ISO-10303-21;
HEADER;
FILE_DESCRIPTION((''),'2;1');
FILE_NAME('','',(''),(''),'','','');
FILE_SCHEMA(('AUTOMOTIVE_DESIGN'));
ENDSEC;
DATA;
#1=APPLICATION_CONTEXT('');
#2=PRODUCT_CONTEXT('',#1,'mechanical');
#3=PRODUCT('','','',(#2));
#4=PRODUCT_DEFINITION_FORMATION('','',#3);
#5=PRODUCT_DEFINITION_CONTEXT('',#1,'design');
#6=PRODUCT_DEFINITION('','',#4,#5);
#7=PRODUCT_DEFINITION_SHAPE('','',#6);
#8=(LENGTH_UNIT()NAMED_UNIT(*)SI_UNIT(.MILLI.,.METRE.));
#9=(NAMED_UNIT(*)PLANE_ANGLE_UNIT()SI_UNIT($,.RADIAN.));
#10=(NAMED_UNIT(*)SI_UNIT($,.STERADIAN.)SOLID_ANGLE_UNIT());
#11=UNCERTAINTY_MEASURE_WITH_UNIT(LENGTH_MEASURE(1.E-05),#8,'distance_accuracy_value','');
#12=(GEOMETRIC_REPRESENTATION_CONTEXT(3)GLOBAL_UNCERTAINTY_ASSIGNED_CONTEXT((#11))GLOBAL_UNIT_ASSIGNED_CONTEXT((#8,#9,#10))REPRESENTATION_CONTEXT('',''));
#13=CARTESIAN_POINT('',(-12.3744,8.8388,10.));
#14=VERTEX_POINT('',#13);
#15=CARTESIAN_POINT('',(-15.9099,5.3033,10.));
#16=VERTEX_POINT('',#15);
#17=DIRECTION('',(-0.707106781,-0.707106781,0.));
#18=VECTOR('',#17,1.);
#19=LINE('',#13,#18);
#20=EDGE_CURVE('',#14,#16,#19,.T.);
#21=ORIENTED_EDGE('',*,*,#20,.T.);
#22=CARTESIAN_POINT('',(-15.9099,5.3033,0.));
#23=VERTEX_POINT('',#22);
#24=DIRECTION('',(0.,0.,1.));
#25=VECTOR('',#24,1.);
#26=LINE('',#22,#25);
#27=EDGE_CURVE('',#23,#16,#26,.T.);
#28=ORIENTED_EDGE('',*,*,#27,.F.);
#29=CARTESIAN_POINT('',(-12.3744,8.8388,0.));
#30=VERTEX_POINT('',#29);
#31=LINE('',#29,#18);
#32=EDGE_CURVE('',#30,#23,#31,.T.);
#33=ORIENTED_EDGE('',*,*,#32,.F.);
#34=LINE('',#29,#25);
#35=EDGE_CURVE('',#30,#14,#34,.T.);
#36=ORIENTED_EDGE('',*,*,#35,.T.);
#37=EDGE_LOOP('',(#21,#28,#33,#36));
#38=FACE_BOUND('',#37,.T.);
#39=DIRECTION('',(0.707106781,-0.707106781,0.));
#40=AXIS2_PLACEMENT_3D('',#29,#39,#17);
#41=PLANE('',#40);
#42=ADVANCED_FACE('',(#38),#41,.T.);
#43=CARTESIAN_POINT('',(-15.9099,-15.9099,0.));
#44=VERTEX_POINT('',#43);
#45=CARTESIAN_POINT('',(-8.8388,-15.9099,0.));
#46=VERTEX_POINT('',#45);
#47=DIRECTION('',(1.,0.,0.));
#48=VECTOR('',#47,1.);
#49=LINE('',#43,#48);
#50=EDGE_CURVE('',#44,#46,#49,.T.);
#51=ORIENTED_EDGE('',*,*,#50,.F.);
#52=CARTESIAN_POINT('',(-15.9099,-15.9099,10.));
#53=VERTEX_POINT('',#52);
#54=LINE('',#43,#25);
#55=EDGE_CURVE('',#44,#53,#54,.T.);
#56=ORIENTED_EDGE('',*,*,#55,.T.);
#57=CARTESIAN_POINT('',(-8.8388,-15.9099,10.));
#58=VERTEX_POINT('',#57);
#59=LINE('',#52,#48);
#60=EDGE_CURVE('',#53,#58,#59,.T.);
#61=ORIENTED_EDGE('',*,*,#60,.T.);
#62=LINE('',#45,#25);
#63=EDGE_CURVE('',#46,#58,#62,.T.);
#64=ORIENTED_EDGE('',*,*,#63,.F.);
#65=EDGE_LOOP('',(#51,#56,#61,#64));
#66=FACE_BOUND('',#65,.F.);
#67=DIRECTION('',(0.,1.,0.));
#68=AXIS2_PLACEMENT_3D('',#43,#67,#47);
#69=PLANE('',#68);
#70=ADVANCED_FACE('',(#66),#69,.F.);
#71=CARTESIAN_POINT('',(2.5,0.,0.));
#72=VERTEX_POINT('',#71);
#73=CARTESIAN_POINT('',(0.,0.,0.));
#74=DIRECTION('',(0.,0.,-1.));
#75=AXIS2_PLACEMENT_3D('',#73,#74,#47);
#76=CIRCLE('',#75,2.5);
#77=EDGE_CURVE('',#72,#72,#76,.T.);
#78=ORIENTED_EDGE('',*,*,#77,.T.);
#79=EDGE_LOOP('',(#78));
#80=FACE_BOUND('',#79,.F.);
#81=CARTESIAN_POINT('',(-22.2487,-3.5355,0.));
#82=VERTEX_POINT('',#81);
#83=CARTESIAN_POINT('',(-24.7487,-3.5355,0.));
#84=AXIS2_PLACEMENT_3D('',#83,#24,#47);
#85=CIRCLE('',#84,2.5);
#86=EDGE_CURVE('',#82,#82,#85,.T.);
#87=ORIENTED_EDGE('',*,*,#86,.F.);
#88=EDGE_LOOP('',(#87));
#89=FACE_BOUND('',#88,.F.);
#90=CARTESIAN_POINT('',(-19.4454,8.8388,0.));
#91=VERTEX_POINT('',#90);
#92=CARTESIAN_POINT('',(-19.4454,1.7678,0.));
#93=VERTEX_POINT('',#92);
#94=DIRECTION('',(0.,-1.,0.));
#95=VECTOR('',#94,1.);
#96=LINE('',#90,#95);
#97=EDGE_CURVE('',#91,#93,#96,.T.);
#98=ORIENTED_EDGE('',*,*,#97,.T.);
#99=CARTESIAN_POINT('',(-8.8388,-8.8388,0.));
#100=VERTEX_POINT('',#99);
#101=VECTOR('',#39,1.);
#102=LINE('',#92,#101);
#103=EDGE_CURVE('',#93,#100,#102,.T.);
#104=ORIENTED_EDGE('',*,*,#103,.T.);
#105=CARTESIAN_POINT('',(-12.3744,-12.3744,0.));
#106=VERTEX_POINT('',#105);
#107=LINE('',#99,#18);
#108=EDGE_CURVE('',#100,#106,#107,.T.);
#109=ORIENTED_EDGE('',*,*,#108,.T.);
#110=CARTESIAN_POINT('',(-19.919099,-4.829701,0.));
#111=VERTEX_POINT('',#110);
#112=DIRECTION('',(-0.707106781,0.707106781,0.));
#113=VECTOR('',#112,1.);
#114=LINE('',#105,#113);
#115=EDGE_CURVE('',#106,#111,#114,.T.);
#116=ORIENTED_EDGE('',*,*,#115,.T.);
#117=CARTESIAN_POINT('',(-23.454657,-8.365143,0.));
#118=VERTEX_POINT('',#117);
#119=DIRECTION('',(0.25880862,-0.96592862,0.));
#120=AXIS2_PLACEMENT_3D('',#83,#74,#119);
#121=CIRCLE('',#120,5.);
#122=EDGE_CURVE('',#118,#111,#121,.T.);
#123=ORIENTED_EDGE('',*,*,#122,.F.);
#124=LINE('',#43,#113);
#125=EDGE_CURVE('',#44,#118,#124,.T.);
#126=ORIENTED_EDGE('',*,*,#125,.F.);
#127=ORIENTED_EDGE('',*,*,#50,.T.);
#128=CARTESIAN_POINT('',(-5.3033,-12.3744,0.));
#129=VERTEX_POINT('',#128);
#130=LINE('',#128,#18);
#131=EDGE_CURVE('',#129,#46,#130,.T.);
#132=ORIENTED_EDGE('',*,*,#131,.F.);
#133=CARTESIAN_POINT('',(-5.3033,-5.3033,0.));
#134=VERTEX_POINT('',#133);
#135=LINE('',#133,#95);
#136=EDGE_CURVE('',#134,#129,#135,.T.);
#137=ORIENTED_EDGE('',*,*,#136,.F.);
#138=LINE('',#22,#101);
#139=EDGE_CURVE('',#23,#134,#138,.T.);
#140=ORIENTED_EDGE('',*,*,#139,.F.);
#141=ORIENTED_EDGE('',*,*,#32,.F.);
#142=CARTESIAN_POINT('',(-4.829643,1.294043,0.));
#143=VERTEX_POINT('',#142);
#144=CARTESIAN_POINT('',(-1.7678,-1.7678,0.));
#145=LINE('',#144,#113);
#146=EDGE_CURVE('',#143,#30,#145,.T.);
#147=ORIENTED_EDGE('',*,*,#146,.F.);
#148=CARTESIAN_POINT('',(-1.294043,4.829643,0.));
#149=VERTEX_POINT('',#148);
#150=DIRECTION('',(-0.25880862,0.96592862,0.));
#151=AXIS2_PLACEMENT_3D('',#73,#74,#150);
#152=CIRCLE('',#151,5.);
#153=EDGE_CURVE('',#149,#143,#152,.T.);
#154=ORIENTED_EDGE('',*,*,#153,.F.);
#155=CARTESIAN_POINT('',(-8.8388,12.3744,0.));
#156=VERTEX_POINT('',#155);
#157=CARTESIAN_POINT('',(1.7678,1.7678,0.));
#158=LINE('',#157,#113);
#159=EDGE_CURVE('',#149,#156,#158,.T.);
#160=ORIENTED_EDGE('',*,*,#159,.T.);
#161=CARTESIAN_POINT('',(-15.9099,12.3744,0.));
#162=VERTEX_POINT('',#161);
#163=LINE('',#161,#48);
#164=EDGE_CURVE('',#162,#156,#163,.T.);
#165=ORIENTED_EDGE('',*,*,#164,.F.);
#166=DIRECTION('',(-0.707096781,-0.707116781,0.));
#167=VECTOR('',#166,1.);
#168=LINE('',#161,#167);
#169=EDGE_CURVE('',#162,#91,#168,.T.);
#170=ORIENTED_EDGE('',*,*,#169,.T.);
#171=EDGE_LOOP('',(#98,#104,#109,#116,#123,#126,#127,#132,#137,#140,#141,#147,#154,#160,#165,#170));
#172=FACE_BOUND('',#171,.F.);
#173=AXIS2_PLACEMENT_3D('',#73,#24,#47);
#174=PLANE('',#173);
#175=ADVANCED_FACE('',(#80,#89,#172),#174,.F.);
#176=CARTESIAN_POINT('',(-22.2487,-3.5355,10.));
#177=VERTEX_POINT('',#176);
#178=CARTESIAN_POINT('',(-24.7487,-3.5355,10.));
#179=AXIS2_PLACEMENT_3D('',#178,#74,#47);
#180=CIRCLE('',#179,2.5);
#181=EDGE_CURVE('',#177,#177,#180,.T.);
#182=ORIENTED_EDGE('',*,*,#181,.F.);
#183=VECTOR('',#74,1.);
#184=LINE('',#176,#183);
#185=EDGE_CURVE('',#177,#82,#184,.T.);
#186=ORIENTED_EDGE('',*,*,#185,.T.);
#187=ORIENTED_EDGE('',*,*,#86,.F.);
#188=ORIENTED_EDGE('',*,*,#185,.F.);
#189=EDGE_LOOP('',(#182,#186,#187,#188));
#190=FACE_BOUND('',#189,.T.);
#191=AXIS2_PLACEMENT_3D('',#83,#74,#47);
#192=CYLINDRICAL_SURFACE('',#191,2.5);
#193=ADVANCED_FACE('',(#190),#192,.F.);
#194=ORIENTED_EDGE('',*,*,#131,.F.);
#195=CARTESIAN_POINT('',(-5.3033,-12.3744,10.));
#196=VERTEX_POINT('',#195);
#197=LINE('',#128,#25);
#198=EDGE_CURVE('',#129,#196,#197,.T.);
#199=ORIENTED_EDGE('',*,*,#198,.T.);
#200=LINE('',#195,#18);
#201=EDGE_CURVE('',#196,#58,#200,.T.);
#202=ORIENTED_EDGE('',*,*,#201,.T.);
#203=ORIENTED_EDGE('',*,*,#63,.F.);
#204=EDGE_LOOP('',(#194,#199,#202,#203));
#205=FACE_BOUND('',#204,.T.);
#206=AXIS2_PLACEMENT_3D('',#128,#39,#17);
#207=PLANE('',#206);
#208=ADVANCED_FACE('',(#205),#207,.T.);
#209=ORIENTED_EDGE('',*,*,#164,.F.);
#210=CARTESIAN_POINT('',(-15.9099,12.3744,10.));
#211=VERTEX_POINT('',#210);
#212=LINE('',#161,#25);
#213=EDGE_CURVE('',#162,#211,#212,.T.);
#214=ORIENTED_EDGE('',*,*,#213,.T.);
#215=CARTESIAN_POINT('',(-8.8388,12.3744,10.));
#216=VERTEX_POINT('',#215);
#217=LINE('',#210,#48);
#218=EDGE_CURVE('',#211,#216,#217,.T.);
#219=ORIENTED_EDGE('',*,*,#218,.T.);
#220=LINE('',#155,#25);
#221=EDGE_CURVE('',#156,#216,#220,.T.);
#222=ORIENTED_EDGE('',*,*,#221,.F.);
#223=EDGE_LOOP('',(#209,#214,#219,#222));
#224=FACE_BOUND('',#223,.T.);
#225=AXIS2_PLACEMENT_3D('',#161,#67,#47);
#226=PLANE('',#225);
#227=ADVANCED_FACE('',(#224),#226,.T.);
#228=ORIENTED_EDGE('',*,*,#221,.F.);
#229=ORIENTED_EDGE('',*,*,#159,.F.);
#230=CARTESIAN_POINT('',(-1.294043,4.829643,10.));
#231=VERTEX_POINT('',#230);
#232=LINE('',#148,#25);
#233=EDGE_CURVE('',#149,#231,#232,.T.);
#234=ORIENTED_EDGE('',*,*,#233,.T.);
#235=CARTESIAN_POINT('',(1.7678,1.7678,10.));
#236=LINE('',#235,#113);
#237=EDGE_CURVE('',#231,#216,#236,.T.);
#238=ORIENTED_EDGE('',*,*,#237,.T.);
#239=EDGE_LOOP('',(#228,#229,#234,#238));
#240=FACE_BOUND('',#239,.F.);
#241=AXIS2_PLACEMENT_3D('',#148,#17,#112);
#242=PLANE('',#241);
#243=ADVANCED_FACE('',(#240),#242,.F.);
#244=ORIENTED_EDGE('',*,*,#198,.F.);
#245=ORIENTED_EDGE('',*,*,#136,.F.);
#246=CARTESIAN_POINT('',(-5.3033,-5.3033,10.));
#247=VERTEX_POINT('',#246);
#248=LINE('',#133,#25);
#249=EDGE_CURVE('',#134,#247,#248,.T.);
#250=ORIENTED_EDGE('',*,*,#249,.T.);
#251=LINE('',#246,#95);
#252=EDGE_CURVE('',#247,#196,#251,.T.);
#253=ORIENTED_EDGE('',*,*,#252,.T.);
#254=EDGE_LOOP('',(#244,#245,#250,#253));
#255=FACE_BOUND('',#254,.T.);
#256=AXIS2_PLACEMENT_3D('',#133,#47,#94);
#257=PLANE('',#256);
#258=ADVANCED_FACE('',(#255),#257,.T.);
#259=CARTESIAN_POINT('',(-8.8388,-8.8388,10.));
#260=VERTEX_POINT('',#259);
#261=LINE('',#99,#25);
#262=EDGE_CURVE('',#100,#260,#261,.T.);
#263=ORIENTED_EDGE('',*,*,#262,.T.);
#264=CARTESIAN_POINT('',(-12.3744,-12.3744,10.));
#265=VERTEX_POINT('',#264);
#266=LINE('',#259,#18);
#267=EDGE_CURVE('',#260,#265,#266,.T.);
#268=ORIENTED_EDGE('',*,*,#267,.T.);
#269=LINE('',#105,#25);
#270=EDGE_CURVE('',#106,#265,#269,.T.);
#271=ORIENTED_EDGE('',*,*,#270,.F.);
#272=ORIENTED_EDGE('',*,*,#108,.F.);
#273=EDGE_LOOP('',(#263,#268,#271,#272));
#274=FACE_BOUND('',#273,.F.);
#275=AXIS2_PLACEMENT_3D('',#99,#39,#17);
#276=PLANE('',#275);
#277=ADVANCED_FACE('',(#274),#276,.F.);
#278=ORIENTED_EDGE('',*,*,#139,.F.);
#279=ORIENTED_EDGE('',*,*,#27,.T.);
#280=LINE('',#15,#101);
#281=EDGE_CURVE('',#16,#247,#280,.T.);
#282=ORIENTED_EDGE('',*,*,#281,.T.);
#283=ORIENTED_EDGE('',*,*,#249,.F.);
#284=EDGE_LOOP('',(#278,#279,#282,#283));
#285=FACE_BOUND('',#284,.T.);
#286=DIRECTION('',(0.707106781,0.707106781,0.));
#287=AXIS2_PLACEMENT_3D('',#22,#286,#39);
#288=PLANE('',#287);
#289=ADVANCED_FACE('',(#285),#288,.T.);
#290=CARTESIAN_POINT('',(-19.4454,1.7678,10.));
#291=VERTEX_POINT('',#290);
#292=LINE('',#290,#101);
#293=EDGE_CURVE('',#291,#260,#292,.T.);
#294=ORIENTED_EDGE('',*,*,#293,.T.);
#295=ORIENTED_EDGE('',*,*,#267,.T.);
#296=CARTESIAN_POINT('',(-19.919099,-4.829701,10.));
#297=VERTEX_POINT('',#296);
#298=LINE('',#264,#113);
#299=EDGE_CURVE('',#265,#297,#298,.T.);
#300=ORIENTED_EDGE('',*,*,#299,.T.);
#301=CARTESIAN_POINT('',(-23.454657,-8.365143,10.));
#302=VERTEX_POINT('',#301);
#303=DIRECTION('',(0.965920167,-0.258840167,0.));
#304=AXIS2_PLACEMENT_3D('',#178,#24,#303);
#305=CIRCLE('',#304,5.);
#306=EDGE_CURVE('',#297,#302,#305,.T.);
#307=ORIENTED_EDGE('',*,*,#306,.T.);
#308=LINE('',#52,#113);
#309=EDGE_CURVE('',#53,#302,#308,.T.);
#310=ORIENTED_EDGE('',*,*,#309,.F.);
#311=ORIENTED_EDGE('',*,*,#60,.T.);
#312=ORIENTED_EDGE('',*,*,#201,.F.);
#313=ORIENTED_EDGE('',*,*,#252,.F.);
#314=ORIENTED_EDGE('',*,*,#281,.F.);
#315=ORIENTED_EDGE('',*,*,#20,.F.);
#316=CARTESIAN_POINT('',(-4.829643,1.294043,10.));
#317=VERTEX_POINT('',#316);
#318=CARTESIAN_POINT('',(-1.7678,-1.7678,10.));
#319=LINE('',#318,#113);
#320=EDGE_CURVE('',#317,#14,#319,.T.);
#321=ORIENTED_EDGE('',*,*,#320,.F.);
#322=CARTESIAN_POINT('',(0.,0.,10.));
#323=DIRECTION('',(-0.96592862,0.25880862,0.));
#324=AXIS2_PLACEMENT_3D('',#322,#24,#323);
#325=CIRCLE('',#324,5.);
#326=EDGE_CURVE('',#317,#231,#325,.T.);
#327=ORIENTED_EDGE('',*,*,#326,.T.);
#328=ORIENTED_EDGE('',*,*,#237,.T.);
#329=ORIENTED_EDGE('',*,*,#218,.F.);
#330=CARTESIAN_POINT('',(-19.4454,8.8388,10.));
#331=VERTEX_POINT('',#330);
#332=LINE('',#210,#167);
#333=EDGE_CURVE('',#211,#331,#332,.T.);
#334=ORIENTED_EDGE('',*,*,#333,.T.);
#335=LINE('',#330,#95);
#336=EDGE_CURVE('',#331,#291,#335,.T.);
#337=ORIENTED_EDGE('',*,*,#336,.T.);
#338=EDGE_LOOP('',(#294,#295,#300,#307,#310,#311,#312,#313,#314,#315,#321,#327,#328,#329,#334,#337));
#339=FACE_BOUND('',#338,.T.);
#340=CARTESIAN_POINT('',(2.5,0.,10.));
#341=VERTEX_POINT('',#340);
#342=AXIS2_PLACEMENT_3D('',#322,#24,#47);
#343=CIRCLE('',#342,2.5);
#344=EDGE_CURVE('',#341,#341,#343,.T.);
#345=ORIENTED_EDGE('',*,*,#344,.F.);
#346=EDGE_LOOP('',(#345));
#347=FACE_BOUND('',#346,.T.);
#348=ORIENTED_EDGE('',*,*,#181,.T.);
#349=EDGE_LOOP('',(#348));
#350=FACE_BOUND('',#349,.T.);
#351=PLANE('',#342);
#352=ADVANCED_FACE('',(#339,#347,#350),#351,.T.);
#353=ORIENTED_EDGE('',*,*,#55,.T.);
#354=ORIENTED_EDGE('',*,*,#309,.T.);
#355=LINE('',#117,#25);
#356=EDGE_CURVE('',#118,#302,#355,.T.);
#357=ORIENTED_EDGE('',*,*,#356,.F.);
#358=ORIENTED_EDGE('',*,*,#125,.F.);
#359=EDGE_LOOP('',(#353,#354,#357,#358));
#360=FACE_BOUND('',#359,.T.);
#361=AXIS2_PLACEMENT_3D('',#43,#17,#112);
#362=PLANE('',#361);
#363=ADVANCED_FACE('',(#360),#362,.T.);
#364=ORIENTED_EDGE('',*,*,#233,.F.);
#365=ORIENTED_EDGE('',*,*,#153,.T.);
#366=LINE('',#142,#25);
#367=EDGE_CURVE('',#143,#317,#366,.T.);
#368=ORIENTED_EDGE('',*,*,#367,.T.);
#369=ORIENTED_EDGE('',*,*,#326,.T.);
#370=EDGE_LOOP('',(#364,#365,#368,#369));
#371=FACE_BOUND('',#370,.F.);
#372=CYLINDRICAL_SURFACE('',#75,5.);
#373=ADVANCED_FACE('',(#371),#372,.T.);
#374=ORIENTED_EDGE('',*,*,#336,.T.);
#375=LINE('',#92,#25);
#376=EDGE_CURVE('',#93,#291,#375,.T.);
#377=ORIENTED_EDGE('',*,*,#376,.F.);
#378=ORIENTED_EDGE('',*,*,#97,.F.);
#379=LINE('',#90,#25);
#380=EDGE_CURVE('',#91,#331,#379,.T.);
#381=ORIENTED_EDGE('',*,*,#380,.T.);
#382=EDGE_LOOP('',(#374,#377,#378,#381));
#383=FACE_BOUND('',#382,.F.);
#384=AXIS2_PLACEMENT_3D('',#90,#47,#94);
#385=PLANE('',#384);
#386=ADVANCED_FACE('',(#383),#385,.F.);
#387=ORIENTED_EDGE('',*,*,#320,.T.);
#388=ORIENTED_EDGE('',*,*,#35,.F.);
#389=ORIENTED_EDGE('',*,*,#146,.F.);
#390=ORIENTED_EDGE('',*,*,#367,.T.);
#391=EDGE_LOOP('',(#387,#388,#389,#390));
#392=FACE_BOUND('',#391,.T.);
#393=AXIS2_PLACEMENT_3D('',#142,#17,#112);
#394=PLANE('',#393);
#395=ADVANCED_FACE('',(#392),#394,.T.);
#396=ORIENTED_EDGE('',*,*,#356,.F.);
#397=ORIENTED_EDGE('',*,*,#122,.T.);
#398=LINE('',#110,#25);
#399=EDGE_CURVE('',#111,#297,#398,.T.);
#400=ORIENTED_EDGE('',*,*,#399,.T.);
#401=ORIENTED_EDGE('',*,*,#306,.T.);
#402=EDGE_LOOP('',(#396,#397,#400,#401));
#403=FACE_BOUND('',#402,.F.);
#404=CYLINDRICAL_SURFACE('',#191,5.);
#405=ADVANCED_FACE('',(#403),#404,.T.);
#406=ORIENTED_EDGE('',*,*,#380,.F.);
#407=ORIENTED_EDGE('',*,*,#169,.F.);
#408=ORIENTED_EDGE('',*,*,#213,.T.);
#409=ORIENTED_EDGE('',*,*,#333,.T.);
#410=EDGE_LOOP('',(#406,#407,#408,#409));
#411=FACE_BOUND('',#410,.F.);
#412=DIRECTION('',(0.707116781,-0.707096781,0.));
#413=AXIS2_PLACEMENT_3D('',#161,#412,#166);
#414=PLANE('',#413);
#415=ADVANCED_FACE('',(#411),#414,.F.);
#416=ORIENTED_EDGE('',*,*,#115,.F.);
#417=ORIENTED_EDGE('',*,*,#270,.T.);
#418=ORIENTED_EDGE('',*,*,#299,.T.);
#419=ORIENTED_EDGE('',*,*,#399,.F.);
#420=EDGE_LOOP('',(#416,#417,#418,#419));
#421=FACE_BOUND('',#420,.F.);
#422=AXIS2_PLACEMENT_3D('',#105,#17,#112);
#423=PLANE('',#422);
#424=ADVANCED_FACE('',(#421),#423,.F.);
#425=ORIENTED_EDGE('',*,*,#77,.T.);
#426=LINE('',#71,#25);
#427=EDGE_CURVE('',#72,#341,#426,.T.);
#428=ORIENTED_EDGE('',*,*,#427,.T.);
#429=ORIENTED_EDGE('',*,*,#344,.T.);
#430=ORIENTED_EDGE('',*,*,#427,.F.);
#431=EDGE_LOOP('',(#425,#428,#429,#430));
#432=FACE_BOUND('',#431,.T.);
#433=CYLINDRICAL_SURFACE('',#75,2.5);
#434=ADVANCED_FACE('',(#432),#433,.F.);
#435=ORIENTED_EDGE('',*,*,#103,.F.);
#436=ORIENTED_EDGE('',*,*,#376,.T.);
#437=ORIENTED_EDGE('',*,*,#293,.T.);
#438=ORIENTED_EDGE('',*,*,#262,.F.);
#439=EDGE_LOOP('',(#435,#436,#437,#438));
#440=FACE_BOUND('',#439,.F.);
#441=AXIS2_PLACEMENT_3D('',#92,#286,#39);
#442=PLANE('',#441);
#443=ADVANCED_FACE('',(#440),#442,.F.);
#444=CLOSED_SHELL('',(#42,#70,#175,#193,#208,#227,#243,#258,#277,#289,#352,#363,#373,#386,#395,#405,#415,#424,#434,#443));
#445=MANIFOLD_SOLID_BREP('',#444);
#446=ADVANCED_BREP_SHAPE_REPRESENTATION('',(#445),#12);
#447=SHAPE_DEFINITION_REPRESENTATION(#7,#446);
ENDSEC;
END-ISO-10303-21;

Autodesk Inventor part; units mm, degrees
ref_plane "YZ Plane" through (0, 0, 0) normal (1, 0, 0) x (0, 1, 0)
ref_plane "XZ Plane" through (0, 0, 0) normal (0, 1, 0) x (-1, 0, 0)
ref_plane "XY Plane" through (0, 0, 0) normal (0, 0, 1) x (1, 0, 0)
sketch "Sketch1" plane through (0, 0, 0) normal (0, 0, 1) x (1, 0, 0)
  circle A0 centre (0, 0) radius 2.5
  circle A1 centre (0, 0) radius 5
  line L0 (-1.7678, -1.7678) -> (-12.3744, 8.8388)
  line L1 (-12.3744, 8.8388) -> (-15.9099, 5.3033)
  line L2 (-15.9099, 5.3033) -> (-5.3033, -5.3033)
  line L3 (-5.3033, -5.3033) -> (-5.3033, -12.3744)
  line L4 (-5.3033, -12.3744) -> (-8.8388, -15.9099)
  line L5 (-15.9099, -15.9099) -> (-26.5165, -5.3033)
  line L6 (1.7678, 1.7678) -> (-8.8388, 12.3744)
  line L7 (-15.9099, 12.3744) -> (-19.4454, 8.8388)
  line L8 (-19.4454, 8.8388) -> (-19.4454, 1.7678)
  line L9 (-19.4454, 1.7678) -> (-8.8388, -8.8388)
  line L10 (-8.8388, -8.8388) -> (-12.3744, -12.3744)
  line L11 (-12.3744, -12.3744) -> (-22.981, -1.7678)
  line L12 (-22.981, -1.7678) -> (-26.5165, -5.3033)
  line L13 (-1.7678, -1.7678) -> (1.7678, 1.7678)
  circle A2 centre (-24.7487, -3.5355) radius 2.5
  circle A3 centre (-24.7487, -3.5355) radius 5
  line L14 (-15.9099, 12.3744) -> (-8.8388, 12.3744)
  line L15 (-15.9099, -15.9099) -> (-8.8388, -15.9099)
  dimension "d0" = 5
  dimension "d1" = 10
  dimension "d3" = 90
  dimension "d6" = 135
  dimension "d7" = 135
  dimension "d8" = 90
  dimension "d9" = 5
  dimension "d12" = 10
  dimension "d13" = 15
  dimension "d14" = 15
  dimension "d31" = 7.0711
  dimension "d32" = 15
  dimension "d33" = 7.0711
  dimension "d34" = 15
  dimension "d35" = 7.0711
  dimension "d36" = 7.0711
  dimension "d37" = 5
  dimension "d38" = 90
  dimension "d39" = 135
  dimension "d40" = 5
  dimension "d41" = 5
extrude "Extrusion4" add sketch "Sketch1" along normal blind 10 contours A0 L6 A1 L0 | A0 L0 A1 L6 | A1 L0 L1 L2 L3 L4 L15 L5 A3 L11 L10 L9 L8 L7 L14 L6 | A3 L5 A2 L11 | L11 A2 L5 A3 | A2 L12 picked at (-25.0062, -4.328)
sketch "Sketch3" plane through (0, 0, 10) normal (0, 0, 1) x (1, 0, 0)
  line L0 (-1.2941, 4.8296) -> (-8.8388, 12.3744) projected
  line L1 (-8.8388, 12.3744) -> (-15.9099, 12.3744) projected
  line L2 (-15.9099, 12.3744) -> (-19.4454, 8.8388) projected
  line L3 (-19.4454, 8.8388) -> (-19.4454, 1.7678) projected
  line L4 (-19.4454, 1.7678) -> (-8.8388, -8.8388) projected
  line L5 (-8.8388, -8.8388) -> (-12.3744, -12.3744) projected
  line L6 (-12.3744, -12.3744) -> (-19.9191, -4.8296) projected
  arc A0 (-19.9191, -4.8296) -> (-23.4546, -8.3652) centre (-24.7487, -3.5355) ccw projected
  line L7 (-23.4546, -8.3652) -> (-15.9099, -15.9099) projected
  line L8 (-15.9099, -15.9099) -> (-8.8388, -15.9099) projected
  line L9 (-8.8388, -15.9099) -> (-5.3033, -12.3744) projected
  line L10 (-5.3033, -12.3744) -> (-5.3033, -5.3033) projected
  line L11 (-5.3033, -5.3033) -> (-15.9099, 5.3033) projected
  line L12 (-15.9099, 5.3033) -> (-12.3744, 8.8388) projected
  line L13 (-12.3744, 8.8388) -> (-4.8296, 1.2941) projected
  arc A1 (-4.8296, 1.2941) -> (-1.2941, 4.8296) centre (0, 0) ccw projected
  line L14 (-26.5165, -5.3033) -> (-22.981, -1.7678) projected
  arc A2 (-22.981, -1.7678) -> (-26.5165, -5.3033) centre (-24.7487, -3.5355) ccw projected
  circle A3 centre (0, 0) radius 2.5 projected
  circle A4 centre (-24.7487, -3.5355) radius 2.5
extrude "Extrusion5" cut sketch "Sketch3" against normal blind 10 contours L14 A4
equation "\"d1\" = 2 * d0"
equation "\"d9\" = d0"
equation "\"d12\" = d1"
equation "\"d13\" = 3 * d0"
equation "\"d14\" = d13"
properties part number "Sawaiz Logo Ribbon"
